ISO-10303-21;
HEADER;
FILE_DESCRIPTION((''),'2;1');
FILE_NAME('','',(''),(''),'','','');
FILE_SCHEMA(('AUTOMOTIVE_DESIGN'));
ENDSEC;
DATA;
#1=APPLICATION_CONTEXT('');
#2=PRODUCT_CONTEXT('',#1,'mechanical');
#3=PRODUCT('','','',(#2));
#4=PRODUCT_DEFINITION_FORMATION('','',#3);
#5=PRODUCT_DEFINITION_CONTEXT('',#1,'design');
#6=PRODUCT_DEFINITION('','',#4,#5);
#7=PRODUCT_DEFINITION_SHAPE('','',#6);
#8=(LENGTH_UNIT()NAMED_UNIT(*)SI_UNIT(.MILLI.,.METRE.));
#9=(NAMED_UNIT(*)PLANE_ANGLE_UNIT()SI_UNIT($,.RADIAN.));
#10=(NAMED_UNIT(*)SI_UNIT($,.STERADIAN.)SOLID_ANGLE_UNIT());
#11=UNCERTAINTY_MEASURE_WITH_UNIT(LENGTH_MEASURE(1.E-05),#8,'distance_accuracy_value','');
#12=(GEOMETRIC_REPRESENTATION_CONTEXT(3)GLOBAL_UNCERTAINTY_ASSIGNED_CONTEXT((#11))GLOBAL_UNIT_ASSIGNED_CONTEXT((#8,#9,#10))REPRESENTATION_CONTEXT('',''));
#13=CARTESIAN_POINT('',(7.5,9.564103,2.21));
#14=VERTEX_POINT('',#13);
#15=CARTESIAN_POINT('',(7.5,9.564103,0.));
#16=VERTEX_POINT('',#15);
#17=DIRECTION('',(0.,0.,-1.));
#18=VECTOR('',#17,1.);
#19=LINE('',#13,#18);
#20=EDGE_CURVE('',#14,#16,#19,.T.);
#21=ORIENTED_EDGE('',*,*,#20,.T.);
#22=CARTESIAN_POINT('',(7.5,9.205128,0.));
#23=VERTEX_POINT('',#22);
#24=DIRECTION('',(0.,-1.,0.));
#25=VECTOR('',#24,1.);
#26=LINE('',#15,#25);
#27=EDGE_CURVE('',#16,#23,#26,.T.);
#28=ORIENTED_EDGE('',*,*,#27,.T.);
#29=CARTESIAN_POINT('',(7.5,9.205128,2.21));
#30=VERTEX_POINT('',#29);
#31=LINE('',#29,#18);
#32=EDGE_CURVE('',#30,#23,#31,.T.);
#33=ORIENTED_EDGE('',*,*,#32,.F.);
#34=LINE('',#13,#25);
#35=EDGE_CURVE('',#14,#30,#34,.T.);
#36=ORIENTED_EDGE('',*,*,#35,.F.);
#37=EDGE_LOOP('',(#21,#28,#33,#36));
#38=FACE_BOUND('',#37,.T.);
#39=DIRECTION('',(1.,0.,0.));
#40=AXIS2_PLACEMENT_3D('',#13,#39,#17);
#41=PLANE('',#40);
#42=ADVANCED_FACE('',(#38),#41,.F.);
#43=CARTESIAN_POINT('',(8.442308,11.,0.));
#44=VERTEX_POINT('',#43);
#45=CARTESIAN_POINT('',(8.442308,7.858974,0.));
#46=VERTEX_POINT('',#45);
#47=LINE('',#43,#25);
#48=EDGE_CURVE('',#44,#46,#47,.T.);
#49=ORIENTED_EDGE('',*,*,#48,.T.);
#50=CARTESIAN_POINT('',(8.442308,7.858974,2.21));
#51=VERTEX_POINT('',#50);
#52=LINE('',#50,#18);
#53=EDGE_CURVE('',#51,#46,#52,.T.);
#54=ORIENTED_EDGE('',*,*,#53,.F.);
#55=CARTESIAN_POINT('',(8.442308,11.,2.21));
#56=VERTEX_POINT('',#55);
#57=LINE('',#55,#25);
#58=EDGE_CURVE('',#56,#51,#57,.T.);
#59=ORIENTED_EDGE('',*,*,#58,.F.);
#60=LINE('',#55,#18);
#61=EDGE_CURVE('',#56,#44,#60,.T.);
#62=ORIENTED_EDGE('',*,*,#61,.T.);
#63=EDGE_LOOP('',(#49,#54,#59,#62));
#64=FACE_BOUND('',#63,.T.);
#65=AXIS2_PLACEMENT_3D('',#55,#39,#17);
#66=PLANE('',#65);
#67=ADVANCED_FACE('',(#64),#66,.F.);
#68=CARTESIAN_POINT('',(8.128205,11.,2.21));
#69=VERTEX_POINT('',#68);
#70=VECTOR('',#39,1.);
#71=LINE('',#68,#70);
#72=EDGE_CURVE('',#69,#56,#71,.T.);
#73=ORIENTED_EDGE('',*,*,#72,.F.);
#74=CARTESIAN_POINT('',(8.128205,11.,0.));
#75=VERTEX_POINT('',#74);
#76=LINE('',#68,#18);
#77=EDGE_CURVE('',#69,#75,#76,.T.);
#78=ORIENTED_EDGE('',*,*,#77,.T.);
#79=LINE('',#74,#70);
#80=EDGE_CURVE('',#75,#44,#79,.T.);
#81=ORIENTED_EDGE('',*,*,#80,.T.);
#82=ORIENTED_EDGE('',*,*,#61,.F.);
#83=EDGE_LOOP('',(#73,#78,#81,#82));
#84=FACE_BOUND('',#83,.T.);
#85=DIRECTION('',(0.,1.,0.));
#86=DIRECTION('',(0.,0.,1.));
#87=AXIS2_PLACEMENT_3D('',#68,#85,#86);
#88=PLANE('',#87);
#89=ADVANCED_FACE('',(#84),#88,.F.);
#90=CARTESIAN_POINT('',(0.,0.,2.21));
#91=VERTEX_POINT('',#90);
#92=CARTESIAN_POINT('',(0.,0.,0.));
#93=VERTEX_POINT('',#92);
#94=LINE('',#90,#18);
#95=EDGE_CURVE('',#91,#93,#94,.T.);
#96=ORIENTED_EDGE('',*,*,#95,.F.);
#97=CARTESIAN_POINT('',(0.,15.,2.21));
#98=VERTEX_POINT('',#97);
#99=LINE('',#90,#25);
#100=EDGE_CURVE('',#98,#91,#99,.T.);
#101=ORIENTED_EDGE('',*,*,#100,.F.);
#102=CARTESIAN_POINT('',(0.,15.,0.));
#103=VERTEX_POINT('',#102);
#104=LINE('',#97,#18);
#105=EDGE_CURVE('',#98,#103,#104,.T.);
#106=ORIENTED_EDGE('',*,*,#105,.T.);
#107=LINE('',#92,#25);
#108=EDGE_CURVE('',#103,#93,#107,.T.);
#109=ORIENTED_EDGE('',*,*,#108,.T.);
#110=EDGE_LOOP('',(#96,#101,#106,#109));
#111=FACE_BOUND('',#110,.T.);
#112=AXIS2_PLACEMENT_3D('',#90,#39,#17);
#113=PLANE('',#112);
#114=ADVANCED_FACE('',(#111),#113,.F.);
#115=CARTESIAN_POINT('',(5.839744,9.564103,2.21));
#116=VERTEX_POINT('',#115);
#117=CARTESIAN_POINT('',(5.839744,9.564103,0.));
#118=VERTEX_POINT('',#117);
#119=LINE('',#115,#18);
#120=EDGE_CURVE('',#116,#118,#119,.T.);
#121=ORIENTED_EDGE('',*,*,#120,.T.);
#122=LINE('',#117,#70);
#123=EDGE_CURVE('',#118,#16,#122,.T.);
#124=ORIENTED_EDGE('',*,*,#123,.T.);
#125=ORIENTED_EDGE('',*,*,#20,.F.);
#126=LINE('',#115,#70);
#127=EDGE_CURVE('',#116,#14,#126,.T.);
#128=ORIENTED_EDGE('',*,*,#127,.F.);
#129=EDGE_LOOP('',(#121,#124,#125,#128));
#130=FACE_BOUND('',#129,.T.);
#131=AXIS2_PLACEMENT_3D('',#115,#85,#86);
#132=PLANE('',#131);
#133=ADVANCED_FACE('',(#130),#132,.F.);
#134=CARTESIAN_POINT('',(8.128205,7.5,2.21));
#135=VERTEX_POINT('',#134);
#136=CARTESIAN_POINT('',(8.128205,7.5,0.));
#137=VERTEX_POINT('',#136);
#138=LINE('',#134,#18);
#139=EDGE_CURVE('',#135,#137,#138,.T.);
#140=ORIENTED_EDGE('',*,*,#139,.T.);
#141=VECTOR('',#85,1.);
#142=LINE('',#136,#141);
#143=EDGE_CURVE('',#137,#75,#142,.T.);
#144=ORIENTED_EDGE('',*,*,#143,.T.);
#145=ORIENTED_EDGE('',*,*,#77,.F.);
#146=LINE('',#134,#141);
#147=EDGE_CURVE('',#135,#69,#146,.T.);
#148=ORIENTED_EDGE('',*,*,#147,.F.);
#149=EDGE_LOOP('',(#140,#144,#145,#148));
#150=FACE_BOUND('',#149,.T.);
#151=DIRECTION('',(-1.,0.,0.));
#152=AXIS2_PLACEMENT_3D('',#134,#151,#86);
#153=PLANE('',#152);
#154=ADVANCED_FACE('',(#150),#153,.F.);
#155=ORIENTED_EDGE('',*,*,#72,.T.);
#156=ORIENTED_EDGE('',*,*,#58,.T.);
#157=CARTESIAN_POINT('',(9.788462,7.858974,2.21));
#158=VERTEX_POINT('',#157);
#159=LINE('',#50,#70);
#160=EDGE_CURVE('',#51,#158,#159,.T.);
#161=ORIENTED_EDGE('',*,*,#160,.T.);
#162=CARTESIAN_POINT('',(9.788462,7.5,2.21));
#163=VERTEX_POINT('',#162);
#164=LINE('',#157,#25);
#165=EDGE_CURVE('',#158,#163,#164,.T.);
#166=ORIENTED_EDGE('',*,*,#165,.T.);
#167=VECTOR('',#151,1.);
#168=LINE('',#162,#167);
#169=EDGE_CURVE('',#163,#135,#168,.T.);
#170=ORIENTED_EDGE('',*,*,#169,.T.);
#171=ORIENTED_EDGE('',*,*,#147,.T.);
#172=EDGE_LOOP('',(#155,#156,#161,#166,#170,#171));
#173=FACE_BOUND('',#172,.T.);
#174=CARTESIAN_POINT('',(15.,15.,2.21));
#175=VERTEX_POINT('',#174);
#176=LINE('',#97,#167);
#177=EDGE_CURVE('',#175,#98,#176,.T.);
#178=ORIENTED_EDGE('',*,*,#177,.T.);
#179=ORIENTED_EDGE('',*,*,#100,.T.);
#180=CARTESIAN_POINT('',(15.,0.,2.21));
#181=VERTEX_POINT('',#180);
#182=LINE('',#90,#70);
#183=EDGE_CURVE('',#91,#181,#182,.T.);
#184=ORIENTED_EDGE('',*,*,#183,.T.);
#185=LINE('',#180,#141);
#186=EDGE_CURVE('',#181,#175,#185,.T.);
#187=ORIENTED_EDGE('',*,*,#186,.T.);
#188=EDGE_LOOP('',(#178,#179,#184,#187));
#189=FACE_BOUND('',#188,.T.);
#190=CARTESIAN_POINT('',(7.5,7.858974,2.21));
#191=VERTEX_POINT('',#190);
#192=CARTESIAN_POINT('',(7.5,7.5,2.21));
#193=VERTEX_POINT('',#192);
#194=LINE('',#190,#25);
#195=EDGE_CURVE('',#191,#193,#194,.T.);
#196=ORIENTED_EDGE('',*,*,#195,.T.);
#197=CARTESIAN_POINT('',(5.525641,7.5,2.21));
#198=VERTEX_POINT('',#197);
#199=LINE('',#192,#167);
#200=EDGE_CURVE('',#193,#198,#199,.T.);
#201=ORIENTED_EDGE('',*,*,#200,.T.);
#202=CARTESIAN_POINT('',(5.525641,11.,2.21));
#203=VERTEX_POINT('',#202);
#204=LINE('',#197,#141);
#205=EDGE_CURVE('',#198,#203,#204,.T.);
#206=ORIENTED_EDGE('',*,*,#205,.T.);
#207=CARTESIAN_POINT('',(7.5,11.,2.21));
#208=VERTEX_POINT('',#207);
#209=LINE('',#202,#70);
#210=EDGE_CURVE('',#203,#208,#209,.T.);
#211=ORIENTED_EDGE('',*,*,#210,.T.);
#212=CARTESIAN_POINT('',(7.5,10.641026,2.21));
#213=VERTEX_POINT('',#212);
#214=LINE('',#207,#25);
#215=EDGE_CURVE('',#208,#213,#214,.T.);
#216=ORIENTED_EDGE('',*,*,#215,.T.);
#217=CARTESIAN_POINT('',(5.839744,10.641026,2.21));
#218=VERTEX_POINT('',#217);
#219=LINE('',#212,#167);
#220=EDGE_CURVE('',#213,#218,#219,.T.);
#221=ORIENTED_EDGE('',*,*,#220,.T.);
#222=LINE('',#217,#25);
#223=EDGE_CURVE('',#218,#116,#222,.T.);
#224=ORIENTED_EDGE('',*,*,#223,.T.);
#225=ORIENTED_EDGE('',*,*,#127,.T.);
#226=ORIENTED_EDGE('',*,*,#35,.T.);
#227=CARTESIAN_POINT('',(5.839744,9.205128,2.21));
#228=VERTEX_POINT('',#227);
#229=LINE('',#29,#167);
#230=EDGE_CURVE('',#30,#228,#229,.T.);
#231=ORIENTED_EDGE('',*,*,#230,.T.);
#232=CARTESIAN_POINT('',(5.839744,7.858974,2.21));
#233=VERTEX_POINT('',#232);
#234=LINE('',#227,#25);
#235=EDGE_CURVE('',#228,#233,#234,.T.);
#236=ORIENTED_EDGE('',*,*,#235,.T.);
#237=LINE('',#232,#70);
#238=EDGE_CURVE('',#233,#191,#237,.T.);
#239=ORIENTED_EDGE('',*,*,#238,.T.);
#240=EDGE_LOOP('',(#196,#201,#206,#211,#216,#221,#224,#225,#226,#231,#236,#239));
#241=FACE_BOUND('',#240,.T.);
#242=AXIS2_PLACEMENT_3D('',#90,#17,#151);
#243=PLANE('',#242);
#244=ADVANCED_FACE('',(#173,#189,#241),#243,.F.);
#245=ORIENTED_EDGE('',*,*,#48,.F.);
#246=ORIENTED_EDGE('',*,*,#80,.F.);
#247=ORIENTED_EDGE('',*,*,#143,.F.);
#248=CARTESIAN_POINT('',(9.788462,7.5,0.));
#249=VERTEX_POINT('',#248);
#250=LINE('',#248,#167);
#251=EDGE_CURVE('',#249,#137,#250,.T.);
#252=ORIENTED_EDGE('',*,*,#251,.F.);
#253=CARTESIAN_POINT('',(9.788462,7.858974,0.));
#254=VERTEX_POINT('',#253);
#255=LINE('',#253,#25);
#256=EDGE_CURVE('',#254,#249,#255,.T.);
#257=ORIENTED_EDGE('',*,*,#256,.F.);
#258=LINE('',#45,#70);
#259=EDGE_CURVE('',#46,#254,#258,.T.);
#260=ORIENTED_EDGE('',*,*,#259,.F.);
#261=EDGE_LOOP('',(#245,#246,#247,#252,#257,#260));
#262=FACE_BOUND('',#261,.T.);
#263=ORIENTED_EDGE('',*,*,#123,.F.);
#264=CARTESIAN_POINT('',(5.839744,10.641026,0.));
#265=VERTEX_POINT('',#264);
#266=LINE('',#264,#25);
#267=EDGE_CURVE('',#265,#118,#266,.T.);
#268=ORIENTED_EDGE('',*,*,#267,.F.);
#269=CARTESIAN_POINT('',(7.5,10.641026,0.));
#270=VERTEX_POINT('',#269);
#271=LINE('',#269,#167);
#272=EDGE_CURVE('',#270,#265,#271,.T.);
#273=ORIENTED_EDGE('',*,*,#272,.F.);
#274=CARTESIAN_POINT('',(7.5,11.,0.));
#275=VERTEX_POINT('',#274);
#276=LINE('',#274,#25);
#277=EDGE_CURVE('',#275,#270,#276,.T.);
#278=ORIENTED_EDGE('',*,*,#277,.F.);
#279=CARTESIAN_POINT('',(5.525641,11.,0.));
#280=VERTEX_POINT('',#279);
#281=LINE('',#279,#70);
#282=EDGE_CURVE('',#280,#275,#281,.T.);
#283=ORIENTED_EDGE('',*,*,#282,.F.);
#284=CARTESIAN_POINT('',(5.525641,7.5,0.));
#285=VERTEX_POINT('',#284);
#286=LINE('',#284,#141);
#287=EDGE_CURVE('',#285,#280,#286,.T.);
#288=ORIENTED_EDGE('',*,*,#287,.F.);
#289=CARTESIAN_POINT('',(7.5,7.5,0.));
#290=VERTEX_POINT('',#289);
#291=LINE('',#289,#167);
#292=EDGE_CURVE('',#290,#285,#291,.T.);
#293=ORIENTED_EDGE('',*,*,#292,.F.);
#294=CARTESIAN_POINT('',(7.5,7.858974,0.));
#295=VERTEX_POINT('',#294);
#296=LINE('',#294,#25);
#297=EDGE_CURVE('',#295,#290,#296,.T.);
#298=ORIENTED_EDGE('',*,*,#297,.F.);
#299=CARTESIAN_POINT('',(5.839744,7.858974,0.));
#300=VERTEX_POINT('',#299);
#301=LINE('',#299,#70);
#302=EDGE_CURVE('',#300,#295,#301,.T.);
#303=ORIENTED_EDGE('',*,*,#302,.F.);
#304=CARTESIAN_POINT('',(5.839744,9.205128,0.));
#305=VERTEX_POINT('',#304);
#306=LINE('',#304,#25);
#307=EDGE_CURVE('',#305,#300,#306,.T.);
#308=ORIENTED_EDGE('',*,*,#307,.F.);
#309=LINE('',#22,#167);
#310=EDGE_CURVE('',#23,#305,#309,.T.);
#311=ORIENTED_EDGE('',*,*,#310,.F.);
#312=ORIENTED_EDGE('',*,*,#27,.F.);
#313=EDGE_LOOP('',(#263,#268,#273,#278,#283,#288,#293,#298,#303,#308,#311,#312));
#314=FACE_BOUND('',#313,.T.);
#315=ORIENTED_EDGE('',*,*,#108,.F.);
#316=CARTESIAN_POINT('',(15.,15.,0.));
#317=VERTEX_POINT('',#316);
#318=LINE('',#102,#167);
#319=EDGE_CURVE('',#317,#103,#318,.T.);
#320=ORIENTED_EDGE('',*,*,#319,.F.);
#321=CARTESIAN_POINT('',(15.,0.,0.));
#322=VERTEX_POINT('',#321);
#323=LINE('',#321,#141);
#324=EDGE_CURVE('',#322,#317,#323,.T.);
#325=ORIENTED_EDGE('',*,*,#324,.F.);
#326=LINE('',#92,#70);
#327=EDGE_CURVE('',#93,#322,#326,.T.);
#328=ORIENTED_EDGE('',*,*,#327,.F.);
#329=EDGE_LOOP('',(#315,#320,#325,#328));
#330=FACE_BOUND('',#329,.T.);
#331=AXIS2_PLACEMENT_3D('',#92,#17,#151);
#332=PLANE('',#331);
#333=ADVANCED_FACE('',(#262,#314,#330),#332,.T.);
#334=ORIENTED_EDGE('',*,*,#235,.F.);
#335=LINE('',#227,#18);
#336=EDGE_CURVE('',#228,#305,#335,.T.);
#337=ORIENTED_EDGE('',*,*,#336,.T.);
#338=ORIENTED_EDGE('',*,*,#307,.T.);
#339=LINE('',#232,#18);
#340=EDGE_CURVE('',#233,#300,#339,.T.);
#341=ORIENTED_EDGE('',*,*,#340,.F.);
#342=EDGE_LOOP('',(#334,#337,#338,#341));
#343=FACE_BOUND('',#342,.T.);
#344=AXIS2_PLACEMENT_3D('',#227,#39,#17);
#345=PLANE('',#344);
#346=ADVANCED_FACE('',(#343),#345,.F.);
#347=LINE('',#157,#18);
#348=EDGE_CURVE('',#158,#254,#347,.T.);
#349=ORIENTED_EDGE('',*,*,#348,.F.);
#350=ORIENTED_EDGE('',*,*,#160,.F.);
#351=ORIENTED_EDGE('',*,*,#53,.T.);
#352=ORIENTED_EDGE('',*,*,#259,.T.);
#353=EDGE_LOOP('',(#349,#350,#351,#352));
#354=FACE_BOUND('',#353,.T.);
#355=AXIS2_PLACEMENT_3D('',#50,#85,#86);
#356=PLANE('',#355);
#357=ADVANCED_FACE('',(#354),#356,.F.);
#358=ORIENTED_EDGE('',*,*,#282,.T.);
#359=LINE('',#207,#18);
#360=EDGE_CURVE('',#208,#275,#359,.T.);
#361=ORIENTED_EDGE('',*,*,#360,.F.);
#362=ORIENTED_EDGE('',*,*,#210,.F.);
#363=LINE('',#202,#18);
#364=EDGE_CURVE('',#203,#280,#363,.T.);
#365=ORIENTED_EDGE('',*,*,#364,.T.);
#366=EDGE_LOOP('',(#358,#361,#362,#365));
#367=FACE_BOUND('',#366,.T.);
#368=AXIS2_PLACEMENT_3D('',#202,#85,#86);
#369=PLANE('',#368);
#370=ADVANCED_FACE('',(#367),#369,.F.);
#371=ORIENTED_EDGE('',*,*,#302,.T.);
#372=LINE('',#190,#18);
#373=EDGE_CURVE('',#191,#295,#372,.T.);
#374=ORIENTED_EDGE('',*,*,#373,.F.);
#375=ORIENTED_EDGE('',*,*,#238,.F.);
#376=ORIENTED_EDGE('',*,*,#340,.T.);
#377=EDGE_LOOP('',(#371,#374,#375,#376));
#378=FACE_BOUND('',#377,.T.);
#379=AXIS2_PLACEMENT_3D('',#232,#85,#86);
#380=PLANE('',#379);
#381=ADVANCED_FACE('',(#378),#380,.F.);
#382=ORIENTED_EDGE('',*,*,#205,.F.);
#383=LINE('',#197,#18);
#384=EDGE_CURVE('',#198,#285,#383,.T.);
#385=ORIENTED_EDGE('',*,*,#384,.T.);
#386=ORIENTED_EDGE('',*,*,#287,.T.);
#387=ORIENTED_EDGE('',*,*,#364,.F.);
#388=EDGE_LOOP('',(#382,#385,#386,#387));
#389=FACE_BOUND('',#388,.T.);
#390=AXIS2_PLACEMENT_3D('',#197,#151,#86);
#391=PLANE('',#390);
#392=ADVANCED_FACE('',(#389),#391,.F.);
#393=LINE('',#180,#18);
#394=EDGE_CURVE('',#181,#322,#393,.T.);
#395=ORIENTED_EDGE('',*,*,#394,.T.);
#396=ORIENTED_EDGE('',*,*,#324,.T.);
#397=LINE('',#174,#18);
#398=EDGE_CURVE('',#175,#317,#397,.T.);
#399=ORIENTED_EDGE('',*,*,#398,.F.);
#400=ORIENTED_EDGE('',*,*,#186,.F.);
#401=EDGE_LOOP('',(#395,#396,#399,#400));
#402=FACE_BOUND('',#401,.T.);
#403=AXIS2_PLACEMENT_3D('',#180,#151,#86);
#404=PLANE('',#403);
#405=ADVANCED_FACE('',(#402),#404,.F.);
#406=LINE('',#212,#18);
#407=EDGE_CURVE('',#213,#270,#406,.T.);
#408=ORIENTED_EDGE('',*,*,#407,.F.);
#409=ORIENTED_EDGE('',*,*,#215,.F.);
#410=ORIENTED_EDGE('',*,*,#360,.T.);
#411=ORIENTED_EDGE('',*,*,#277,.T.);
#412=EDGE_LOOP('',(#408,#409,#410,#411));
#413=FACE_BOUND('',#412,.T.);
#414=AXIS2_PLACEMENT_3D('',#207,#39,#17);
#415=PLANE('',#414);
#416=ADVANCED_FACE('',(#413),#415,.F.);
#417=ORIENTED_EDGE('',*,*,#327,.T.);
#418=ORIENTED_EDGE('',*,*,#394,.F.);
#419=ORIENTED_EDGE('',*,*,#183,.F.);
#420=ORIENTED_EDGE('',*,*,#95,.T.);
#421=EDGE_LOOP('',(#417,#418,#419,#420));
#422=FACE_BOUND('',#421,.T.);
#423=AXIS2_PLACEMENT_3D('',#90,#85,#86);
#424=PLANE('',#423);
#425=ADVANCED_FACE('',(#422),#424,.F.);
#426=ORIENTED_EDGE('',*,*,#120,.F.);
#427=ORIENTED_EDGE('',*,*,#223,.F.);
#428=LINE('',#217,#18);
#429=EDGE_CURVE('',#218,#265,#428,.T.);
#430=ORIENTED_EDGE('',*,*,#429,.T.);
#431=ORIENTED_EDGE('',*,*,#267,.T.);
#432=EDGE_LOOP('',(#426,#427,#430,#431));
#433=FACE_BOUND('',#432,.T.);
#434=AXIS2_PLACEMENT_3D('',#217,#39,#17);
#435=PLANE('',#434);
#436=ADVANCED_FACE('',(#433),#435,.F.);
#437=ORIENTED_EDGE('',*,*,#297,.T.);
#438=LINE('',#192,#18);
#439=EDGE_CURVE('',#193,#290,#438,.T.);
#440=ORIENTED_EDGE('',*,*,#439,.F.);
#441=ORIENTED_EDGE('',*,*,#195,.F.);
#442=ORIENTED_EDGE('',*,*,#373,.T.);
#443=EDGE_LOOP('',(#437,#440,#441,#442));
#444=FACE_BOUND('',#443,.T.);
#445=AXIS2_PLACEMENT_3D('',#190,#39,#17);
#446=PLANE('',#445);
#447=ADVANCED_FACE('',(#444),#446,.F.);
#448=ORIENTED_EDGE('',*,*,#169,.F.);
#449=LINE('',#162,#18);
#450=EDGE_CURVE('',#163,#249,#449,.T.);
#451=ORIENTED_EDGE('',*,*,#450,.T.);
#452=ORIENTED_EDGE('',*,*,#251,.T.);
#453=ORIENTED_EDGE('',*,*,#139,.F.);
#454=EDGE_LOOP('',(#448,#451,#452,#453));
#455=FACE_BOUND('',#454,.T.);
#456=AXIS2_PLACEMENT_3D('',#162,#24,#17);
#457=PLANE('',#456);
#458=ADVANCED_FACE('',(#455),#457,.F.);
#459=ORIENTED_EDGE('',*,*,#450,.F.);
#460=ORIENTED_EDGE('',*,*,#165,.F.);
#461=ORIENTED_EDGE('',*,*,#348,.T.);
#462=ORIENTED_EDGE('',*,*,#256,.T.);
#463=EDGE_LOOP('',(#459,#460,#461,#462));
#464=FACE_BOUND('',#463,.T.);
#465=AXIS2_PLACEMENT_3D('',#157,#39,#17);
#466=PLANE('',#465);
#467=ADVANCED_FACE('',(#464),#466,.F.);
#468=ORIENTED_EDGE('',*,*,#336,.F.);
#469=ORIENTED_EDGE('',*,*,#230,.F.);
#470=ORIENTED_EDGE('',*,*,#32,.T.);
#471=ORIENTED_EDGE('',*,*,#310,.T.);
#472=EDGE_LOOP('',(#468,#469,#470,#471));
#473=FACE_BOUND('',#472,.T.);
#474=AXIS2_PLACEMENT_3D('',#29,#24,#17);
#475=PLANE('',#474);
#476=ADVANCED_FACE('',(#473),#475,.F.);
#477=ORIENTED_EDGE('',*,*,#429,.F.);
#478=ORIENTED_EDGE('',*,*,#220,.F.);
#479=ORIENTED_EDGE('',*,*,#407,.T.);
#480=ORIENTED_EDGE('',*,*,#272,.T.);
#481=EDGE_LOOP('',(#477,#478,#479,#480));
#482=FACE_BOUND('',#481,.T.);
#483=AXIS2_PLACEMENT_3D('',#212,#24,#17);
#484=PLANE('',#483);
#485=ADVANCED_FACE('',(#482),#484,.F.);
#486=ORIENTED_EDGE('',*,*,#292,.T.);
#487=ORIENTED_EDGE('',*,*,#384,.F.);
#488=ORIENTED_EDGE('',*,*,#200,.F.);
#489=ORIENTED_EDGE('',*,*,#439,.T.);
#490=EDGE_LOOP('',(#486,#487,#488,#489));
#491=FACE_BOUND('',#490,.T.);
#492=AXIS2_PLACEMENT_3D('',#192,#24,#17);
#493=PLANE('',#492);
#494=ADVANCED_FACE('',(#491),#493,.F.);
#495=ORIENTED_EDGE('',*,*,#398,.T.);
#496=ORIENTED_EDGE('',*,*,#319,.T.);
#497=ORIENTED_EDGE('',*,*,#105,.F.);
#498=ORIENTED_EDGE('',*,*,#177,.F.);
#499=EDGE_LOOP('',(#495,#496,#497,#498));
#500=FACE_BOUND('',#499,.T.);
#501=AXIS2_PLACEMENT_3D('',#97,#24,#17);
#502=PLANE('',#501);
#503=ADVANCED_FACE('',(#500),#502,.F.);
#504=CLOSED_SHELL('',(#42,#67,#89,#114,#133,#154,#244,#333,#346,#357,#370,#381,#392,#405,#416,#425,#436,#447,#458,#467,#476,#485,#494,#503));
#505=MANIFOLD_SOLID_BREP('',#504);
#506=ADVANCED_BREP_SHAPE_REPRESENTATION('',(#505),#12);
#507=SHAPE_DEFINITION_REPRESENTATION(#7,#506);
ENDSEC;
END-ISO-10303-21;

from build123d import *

# Parameters (mm, degrees)
SKETCH1_W           = 15
SKETCH1_H           = 15
BOSS_EXTRUDE1_DEPTH = 2.21


with BuildPart() as part:
    # Sketch1 → Boss-Extrude1 (new body)
    with BuildSketch(Plane.XY):
        with Locations((7.5, 7.5)):
            Rectangle(SKETCH1_W, SKETCH1_H)
        Polygon((5.525641026, 11), (7.5, 11), (7.5, 10.641025641), (5.83974359, 10.641025641), (5.83974359, 9.564102564), (7.5, 9.564102564), (7.5, 9.205128205), (5.83974359, 9.205128205), (5.83974359, 7.858974359), (7.5, 7.858974359), (7.5, 7.5), (5.525641026, 7.5), align=None, mode=Mode.SUBTRACT)
        Polygon((8.128205128, 11), (8.442307692, 11), (8.442307692, 7.858974359), (9.788461538, 7.858974359), (9.788461538, 7.5), (8.128205128, 7.5), align=None, mode=Mode.SUBTRACT)
    extrude(amount=BOSS_EXTRUDE1_DEPTH)


solid = part.part
